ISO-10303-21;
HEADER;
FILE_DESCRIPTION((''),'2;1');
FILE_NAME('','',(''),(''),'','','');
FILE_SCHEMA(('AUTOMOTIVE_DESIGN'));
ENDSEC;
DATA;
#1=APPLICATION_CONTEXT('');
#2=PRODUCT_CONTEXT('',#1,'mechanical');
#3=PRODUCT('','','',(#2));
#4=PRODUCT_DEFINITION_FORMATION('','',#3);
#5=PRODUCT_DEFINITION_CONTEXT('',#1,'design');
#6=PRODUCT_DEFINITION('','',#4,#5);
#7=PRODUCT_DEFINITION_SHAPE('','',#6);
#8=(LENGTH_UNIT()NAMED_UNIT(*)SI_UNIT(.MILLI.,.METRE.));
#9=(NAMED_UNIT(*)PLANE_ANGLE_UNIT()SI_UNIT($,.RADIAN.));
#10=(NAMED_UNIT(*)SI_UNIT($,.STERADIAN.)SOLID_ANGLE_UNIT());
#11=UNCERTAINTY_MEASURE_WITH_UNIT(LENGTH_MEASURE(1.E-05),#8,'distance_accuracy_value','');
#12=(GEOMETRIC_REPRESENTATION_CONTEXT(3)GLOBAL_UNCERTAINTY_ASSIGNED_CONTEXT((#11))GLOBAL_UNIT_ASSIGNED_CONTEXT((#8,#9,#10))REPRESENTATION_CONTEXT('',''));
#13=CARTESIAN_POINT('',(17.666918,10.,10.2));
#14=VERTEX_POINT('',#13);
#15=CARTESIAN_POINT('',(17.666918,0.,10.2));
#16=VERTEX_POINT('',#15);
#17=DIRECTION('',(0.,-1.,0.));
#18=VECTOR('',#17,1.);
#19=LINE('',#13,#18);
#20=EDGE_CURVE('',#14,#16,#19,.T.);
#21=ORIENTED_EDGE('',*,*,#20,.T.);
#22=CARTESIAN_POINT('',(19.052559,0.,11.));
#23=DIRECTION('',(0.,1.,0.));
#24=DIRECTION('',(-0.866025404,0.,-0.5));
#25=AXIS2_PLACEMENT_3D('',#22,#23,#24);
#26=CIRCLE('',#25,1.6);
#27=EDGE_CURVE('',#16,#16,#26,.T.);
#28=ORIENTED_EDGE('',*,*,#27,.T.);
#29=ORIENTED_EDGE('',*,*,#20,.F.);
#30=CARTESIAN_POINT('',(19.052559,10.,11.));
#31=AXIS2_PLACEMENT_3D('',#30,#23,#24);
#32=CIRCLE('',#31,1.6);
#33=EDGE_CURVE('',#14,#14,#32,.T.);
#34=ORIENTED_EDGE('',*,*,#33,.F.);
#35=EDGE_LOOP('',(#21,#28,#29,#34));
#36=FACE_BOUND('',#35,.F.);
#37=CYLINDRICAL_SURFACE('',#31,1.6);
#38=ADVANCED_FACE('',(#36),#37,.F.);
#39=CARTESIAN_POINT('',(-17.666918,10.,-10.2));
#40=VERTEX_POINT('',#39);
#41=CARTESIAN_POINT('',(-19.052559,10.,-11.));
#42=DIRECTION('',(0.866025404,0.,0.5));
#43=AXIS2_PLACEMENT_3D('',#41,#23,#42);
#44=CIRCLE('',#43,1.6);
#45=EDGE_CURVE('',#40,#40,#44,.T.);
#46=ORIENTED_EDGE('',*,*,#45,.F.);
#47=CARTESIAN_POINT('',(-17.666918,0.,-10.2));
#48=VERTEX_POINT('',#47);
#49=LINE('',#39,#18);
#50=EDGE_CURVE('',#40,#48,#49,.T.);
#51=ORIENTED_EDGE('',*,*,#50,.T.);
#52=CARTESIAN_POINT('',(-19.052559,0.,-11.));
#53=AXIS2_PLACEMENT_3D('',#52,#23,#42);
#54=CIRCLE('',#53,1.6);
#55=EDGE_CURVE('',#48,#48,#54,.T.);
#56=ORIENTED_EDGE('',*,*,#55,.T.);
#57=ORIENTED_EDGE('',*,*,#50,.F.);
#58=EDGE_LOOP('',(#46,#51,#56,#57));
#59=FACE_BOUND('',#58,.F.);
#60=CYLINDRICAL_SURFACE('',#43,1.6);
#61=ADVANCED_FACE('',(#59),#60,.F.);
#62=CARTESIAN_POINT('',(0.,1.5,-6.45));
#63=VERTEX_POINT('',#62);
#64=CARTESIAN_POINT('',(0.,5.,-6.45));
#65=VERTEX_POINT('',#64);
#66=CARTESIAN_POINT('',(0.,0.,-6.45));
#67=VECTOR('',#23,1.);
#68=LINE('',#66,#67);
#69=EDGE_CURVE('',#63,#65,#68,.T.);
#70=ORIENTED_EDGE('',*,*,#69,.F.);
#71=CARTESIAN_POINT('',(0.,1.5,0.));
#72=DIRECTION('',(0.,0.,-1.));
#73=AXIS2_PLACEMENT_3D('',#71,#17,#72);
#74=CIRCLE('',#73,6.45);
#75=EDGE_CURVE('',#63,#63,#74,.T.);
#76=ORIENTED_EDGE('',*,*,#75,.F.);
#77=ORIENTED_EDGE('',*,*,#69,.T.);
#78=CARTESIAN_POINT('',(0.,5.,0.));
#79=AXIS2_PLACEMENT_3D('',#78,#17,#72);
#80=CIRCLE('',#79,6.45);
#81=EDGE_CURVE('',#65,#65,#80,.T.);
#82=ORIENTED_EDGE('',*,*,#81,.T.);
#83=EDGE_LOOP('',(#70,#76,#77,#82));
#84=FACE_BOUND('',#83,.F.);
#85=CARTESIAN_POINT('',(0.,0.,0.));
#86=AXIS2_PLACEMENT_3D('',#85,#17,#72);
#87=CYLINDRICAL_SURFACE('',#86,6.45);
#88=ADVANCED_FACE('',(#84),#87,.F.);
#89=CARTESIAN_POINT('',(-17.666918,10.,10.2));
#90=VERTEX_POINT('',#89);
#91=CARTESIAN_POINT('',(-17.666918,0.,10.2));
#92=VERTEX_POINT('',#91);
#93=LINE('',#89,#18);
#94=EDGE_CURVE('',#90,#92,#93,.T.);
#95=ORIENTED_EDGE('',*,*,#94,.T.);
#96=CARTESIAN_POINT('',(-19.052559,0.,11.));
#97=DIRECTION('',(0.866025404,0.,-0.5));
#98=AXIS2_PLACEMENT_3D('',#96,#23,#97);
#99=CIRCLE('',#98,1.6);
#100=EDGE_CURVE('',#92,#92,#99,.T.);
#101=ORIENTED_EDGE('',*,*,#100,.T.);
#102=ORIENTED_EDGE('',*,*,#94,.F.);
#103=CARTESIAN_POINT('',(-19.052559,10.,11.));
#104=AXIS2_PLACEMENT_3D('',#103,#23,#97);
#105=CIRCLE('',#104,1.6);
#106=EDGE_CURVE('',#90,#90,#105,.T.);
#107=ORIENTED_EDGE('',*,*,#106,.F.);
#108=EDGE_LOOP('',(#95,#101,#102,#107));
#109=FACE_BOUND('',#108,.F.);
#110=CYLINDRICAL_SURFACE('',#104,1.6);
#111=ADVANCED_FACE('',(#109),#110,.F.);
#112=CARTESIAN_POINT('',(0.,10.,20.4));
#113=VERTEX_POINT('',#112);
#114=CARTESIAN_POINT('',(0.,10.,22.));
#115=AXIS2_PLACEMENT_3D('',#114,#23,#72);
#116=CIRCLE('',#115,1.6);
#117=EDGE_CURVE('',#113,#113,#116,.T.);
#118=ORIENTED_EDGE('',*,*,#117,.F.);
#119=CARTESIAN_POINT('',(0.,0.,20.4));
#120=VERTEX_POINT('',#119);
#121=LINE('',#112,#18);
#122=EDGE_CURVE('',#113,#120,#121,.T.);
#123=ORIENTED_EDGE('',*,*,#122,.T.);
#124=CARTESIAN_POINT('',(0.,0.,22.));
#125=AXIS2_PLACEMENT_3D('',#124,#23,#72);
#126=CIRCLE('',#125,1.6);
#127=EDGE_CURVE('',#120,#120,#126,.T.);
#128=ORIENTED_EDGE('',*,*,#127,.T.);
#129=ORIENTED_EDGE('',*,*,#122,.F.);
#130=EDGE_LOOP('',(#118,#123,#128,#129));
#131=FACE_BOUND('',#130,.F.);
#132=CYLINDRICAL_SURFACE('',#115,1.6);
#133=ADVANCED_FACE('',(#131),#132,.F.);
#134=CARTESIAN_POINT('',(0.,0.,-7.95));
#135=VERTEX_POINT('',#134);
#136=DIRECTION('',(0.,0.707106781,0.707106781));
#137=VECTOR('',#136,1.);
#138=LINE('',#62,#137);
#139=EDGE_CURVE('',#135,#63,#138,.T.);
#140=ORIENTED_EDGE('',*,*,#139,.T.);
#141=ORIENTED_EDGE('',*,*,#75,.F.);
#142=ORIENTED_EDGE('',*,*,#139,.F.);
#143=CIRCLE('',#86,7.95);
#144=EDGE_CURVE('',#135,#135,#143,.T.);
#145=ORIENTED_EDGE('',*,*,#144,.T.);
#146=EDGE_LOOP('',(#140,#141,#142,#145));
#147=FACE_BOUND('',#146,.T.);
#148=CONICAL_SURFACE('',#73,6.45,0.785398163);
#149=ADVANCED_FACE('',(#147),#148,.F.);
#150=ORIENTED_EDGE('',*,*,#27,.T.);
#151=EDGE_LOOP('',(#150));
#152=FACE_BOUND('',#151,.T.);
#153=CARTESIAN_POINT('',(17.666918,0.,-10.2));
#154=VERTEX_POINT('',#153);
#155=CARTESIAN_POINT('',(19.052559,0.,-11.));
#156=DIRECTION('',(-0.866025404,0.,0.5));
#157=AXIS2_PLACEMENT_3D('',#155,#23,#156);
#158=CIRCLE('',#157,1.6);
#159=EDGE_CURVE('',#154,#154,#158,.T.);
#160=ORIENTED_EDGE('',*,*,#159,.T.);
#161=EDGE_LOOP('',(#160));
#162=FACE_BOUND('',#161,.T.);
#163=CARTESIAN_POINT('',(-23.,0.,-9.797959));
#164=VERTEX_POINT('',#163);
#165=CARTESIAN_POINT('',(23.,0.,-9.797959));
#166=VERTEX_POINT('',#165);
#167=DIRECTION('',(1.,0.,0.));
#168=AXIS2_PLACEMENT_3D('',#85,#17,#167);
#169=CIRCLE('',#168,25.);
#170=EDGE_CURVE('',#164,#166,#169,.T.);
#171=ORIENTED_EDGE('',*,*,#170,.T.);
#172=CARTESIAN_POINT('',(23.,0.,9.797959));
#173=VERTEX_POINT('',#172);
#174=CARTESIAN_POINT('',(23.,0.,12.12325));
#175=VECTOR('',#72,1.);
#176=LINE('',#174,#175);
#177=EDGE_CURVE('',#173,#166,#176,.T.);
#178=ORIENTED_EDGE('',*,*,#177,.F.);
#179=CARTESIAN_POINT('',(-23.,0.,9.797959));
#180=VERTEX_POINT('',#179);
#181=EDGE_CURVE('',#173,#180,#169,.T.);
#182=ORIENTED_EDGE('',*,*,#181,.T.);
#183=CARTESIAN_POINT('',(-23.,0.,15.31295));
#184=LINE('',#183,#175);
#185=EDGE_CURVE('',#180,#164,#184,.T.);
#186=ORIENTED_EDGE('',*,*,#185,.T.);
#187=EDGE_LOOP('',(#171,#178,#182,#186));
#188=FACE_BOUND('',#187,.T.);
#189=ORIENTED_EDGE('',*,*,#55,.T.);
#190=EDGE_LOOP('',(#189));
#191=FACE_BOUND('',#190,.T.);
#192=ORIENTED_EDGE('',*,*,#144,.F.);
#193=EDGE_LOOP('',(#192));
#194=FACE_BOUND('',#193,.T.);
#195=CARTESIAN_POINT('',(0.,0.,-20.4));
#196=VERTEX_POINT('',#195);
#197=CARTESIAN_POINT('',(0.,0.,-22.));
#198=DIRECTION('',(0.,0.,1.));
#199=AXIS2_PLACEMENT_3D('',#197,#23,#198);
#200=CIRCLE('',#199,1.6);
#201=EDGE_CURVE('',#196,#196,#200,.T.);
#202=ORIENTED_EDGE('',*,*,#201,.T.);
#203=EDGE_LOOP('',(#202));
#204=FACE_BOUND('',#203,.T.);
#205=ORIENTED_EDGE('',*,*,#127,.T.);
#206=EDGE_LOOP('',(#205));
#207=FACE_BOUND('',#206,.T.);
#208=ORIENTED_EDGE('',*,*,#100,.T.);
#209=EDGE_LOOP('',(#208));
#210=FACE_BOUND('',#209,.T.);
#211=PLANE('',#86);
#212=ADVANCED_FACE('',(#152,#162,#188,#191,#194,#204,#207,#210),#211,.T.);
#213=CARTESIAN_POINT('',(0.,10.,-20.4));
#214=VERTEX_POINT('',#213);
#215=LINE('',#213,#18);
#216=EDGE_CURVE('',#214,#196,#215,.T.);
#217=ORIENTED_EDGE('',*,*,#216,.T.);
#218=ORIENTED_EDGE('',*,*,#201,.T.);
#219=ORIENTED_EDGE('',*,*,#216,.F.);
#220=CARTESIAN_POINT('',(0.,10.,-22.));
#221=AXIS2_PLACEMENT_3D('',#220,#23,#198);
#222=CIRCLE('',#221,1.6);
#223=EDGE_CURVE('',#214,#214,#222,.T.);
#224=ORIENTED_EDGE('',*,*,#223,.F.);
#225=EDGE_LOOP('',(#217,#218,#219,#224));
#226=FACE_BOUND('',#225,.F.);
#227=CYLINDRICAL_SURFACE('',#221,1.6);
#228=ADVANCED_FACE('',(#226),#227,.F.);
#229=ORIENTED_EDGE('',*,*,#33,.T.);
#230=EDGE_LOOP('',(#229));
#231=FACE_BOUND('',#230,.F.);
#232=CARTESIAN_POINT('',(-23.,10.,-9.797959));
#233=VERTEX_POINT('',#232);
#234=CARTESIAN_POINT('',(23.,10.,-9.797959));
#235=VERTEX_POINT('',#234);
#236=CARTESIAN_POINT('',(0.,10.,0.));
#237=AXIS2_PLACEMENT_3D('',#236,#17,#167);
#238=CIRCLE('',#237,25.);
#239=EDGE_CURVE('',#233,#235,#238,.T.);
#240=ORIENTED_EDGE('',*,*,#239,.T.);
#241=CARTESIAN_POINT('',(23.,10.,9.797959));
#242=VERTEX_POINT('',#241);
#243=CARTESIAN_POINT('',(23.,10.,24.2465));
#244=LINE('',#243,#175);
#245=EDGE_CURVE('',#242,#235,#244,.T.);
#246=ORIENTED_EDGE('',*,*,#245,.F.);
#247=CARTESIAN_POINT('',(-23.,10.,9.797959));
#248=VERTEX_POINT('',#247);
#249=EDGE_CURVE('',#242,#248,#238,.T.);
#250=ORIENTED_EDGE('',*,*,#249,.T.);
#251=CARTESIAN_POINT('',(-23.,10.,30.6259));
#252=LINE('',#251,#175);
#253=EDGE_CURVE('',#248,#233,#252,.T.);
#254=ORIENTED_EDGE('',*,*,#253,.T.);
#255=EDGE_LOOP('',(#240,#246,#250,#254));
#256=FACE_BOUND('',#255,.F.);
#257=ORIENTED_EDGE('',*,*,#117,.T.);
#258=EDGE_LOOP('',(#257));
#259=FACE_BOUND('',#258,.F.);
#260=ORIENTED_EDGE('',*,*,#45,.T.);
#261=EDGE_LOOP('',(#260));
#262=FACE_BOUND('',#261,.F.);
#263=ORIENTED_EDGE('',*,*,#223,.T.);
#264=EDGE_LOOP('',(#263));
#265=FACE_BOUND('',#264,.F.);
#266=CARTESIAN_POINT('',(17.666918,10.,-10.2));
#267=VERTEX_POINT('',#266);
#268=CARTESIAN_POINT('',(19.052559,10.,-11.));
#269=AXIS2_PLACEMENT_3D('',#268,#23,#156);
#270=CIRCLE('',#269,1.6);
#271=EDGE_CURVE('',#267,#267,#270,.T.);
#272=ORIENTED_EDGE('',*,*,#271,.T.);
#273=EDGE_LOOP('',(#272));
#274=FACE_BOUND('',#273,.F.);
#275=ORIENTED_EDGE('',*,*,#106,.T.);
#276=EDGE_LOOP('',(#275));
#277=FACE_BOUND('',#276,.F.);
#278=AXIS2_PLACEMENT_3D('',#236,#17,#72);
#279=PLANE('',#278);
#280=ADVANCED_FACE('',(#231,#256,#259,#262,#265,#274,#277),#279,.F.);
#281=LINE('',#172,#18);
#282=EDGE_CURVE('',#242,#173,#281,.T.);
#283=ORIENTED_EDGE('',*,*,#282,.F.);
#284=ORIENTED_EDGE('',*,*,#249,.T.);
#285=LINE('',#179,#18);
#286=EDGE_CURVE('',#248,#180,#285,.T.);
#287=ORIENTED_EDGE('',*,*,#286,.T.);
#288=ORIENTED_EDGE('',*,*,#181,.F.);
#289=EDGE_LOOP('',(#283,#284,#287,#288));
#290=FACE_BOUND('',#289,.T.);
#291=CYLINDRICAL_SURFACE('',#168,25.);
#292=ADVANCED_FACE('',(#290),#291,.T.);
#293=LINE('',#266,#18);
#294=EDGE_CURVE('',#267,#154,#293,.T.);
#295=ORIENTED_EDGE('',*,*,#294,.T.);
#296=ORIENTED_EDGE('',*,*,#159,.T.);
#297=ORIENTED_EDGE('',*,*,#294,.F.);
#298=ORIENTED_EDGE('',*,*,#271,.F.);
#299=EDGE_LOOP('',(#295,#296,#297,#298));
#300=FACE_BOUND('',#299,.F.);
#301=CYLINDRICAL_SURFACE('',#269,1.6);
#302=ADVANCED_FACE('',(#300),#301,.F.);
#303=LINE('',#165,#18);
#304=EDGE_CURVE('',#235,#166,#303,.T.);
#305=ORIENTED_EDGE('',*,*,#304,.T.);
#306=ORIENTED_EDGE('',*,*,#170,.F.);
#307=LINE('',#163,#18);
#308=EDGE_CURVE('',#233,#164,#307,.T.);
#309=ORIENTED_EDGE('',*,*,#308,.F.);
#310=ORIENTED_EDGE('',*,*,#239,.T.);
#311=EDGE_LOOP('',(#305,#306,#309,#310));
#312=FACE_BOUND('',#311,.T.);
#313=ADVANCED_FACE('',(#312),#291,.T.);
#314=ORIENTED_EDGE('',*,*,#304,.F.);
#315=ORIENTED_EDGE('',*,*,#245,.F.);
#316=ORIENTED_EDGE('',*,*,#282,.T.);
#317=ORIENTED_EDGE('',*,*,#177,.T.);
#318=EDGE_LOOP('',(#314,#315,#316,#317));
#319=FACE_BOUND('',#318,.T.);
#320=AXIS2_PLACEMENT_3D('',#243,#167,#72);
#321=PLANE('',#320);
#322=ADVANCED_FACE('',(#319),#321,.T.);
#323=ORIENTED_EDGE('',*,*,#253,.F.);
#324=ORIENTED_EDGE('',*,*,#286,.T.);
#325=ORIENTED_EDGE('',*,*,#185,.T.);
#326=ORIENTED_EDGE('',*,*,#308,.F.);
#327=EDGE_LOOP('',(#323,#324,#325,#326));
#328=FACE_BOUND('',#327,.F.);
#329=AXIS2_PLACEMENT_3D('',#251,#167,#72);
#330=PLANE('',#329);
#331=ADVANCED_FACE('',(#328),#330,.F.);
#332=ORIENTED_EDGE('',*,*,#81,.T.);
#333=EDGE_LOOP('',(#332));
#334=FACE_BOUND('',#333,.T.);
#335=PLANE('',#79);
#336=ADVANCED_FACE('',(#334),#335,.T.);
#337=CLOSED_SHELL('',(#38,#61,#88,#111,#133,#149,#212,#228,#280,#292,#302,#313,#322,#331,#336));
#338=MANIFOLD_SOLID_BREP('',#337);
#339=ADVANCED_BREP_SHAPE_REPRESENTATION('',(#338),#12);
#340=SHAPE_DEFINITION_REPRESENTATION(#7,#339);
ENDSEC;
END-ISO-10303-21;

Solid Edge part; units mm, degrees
sketch "Sketch1" plane through (0, 0, 0) normal (0, -1, 0) x (1, 0, 0)
  circle A0 centre (0, 0) radius 25
extrude "Protrusion1" add sketch "Sketch1" against normal blind 10
sketch "Sketch2" plane through (0, 10, 0) normal (0, 1, 0) x (0, 0, 1)
  circle A0 centre (-22, 0) radius 1.6
  dimension "D1" = 22
extrude "Cutout1" cut sketch "Sketch2" against normal up to next
pattern_circular "Pattern1" count 6 over 360 about axis through (0, 10, 0) along (0, -1, 0) of "Cutout1"
sketch "Sketch3" plane through (0, 10, 0) normal (0, 1, 0) x (0, 0, 1)
  line L0 (-27.1295, -25) -> (30.6259, -25)
  line L1 (30.6259, -25) -> (30.6259, -23)
  line L2 (30.6259, -23) -> (-27.1295, -23)
  line L3 (-27.1295, -23) -> (-27.1295, -25)
  line L4 (-24.9621, 25) -> (24.2465, 25)
  line L5 (24.2465, 25) -> (24.2465, 23)
  line L6 (24.2465, 23) -> (-24.9621, 23)
  line L7 (-24.9621, 23) -> (-24.9621, 25)
  dimension "D1" = 2
  dimension "D2" = 25
  dimension "D3" = 2
  dimension "D4" = 25
extrude "Cutout2" cut sketch "Sketch3" against normal up to next
sketch "Sketch4" plane through (0, 0, 0) normal (0, -1, 0) x (0, 0, -1)
  circle A0 centre (0, 0) radius 6.45
extrude "ExtrudedCutout_3" cut sketch "Sketch4" against normal blind 5
chamfer "Chamfer_1" distance 1.5 angle 45 1 edges at (0, 0, 6.45)
